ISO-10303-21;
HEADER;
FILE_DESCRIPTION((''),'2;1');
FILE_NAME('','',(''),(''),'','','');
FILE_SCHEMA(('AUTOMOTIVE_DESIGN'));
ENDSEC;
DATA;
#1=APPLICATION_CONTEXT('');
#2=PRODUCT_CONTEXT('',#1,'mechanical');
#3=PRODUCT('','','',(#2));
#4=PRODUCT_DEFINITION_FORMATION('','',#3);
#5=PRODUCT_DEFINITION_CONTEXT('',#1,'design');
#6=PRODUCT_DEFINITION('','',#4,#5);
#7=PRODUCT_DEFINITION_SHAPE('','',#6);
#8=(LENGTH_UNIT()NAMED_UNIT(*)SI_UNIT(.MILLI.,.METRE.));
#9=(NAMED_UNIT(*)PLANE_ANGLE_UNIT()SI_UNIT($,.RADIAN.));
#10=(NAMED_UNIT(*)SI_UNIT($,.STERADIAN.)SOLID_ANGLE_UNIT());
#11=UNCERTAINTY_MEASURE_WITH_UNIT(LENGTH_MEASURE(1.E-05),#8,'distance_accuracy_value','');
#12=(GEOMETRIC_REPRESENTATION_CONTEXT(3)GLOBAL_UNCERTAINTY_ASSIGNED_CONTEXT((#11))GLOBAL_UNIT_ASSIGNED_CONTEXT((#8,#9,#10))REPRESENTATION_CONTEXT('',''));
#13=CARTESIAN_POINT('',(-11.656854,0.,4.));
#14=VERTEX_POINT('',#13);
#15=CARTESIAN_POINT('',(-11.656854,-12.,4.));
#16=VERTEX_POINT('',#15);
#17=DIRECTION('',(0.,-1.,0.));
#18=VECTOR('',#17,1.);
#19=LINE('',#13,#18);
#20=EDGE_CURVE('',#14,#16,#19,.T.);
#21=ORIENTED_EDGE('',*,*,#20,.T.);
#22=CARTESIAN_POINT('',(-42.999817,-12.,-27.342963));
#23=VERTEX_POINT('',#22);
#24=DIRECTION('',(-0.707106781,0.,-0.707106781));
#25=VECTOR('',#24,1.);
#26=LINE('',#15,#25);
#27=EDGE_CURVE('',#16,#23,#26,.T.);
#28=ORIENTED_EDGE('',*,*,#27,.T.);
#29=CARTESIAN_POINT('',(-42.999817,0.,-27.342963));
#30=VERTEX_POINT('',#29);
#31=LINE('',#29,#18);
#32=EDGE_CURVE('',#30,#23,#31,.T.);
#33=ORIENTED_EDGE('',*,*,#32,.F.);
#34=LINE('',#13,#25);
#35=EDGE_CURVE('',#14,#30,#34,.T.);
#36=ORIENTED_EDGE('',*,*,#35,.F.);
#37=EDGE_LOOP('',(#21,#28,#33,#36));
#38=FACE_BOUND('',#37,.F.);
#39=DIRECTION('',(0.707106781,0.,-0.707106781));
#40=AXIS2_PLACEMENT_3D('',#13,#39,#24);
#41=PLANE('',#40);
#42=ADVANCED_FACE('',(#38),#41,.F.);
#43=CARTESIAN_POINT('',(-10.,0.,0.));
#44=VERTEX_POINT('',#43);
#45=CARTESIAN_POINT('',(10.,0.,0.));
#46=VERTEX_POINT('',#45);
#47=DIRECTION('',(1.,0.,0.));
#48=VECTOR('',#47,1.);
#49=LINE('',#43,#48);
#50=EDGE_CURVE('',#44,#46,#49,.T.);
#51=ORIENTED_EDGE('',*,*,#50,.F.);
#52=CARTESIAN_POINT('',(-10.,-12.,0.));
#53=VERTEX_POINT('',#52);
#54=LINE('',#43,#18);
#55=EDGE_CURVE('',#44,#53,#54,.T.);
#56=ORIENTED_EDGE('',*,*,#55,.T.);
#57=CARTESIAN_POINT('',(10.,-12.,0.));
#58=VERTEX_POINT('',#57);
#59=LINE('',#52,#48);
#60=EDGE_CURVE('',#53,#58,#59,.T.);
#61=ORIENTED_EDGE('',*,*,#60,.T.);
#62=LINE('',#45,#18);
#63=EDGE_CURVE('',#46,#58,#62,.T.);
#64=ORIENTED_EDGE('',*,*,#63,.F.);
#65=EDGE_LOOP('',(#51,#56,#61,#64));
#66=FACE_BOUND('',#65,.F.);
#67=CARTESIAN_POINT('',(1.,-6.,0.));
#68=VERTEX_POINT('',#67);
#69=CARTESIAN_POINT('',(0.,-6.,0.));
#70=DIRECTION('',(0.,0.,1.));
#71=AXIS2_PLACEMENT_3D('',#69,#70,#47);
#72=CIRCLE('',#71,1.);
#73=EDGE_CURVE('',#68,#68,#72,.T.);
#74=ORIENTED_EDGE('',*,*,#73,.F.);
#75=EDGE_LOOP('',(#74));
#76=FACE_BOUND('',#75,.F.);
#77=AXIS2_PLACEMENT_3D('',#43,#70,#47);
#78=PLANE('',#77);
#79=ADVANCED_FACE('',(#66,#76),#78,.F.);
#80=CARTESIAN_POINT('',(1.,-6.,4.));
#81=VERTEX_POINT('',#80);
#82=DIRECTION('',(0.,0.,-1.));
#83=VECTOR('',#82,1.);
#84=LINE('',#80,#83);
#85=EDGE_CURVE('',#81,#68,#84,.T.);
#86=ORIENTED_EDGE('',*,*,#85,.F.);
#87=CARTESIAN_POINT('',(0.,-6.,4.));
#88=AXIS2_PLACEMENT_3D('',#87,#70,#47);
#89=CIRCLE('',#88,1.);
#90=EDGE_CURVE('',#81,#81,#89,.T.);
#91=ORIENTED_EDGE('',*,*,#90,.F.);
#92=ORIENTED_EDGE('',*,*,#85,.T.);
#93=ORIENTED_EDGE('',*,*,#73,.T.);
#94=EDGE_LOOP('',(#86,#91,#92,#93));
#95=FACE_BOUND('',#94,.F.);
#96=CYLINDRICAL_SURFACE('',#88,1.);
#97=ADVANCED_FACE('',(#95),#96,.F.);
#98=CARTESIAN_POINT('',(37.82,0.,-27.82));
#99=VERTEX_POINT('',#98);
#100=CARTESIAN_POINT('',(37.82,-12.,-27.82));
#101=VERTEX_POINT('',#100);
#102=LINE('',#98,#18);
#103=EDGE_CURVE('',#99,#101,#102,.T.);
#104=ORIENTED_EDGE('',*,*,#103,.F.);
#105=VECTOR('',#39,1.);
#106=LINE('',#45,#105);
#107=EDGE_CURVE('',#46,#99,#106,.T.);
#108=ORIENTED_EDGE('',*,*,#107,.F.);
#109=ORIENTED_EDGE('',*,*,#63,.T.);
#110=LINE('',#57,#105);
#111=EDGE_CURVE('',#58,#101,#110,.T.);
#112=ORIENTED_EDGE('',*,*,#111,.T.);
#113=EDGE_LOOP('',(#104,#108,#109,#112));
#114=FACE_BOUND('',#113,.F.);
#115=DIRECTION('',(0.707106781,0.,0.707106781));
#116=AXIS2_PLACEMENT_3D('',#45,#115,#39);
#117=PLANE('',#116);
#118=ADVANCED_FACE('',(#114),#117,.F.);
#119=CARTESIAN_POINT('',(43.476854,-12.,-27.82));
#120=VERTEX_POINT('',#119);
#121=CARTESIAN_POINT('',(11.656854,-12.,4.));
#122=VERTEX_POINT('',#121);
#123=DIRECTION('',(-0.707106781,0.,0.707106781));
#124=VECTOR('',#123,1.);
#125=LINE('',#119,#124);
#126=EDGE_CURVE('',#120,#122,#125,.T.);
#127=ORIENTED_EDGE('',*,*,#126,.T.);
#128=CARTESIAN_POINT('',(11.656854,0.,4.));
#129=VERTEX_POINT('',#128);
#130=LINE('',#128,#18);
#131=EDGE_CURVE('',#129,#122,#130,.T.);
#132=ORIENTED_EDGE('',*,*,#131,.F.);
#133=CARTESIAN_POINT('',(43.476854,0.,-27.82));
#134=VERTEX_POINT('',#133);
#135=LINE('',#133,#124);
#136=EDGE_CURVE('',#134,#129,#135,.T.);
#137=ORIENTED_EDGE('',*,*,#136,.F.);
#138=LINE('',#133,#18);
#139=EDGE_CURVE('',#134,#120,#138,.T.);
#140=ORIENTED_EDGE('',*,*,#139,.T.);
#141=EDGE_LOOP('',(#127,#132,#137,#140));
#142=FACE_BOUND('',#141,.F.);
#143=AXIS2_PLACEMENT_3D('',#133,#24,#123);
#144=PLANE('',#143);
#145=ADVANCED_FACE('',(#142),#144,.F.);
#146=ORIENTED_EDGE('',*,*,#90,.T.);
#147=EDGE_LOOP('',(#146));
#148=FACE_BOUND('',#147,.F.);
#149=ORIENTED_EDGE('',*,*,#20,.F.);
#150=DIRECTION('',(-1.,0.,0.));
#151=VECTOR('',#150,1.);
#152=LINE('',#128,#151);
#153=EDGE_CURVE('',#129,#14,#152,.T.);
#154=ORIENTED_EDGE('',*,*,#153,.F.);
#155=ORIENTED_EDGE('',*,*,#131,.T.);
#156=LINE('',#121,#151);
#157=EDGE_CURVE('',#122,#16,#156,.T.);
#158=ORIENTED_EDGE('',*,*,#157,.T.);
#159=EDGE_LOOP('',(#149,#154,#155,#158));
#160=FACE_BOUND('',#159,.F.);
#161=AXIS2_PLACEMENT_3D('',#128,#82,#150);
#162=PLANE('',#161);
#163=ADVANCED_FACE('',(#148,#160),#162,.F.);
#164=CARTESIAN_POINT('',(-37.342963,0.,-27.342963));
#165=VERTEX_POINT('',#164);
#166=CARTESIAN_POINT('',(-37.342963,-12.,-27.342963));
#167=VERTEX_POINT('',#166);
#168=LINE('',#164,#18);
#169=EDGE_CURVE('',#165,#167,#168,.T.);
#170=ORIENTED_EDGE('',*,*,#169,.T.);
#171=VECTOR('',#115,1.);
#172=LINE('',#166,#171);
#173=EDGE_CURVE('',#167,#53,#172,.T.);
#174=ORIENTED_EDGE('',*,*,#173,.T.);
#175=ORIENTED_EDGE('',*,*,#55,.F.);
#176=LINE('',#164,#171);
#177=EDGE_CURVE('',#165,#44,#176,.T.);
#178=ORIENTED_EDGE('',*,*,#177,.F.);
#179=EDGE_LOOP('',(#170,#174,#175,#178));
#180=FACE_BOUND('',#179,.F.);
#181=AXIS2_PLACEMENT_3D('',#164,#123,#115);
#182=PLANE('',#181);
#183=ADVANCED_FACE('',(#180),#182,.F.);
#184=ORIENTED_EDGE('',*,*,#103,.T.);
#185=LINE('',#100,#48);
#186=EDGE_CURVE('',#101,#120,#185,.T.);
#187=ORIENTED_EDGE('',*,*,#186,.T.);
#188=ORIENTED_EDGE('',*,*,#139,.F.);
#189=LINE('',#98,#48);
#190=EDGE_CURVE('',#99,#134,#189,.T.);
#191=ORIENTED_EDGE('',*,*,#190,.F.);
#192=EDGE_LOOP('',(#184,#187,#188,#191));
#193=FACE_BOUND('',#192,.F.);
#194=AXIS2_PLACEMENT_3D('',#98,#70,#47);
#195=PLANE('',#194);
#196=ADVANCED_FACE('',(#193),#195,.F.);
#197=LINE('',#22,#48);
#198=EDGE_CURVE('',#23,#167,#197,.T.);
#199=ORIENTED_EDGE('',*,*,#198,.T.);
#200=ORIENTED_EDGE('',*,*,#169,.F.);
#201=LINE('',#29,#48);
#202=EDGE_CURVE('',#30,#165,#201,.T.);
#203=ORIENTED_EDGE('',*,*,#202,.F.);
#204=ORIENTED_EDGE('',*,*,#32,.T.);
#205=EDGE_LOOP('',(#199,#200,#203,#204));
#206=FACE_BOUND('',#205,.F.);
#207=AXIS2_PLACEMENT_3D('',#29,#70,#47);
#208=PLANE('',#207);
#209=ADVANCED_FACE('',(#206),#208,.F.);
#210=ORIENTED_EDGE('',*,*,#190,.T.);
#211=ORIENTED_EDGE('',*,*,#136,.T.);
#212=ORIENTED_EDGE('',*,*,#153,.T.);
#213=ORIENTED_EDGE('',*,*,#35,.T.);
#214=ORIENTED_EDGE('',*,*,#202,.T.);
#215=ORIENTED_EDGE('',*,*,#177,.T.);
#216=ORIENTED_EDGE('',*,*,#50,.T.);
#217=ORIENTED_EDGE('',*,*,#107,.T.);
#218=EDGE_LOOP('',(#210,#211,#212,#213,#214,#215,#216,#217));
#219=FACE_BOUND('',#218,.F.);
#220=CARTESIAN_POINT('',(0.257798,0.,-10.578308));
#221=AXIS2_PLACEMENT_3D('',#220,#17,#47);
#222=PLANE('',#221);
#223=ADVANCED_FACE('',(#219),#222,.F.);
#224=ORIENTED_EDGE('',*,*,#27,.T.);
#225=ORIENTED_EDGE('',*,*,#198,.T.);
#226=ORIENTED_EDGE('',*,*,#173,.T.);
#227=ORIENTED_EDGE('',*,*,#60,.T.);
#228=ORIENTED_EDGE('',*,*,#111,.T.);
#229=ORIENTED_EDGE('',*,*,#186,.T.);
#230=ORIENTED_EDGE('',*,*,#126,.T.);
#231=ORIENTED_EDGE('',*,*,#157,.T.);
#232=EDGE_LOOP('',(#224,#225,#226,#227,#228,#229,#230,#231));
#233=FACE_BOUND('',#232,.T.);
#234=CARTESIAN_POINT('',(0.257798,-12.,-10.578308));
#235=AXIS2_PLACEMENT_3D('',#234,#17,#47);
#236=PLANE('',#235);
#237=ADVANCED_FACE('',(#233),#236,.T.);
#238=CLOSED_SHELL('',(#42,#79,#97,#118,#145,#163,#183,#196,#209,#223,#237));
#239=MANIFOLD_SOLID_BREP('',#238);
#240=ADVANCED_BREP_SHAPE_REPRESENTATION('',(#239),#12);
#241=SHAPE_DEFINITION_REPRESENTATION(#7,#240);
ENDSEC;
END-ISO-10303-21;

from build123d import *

# Parameters (mm, degrees)
F1_DEPTH = 12
F2_R     = 1
F3_DEPTH = 31.821


with BuildPart() as f1:
    # F0 (on Front) → F1 (new body)
    with BuildSketch(Plane.XZ):
        Polygon((-37.342963, -27.342963), (-10, 0), (10, 0), (37.82, -27.82), (43.476854, -27.82), (11.656854, 4), (-11.656854, 4), (-42.999817, -27.342963), align=None)
    extrude(amount=F1_DEPTH)

    # F2 (on face) → F3 (cut, through all)
    with BuildSketch(Plane.XY.offset(4)):
        with Locations((0, -6)):
            Circle(F2_R)
    extrude(amount=-F3_DEPTH, mode=Mode.SUBTRACT)


solid = f1.part
